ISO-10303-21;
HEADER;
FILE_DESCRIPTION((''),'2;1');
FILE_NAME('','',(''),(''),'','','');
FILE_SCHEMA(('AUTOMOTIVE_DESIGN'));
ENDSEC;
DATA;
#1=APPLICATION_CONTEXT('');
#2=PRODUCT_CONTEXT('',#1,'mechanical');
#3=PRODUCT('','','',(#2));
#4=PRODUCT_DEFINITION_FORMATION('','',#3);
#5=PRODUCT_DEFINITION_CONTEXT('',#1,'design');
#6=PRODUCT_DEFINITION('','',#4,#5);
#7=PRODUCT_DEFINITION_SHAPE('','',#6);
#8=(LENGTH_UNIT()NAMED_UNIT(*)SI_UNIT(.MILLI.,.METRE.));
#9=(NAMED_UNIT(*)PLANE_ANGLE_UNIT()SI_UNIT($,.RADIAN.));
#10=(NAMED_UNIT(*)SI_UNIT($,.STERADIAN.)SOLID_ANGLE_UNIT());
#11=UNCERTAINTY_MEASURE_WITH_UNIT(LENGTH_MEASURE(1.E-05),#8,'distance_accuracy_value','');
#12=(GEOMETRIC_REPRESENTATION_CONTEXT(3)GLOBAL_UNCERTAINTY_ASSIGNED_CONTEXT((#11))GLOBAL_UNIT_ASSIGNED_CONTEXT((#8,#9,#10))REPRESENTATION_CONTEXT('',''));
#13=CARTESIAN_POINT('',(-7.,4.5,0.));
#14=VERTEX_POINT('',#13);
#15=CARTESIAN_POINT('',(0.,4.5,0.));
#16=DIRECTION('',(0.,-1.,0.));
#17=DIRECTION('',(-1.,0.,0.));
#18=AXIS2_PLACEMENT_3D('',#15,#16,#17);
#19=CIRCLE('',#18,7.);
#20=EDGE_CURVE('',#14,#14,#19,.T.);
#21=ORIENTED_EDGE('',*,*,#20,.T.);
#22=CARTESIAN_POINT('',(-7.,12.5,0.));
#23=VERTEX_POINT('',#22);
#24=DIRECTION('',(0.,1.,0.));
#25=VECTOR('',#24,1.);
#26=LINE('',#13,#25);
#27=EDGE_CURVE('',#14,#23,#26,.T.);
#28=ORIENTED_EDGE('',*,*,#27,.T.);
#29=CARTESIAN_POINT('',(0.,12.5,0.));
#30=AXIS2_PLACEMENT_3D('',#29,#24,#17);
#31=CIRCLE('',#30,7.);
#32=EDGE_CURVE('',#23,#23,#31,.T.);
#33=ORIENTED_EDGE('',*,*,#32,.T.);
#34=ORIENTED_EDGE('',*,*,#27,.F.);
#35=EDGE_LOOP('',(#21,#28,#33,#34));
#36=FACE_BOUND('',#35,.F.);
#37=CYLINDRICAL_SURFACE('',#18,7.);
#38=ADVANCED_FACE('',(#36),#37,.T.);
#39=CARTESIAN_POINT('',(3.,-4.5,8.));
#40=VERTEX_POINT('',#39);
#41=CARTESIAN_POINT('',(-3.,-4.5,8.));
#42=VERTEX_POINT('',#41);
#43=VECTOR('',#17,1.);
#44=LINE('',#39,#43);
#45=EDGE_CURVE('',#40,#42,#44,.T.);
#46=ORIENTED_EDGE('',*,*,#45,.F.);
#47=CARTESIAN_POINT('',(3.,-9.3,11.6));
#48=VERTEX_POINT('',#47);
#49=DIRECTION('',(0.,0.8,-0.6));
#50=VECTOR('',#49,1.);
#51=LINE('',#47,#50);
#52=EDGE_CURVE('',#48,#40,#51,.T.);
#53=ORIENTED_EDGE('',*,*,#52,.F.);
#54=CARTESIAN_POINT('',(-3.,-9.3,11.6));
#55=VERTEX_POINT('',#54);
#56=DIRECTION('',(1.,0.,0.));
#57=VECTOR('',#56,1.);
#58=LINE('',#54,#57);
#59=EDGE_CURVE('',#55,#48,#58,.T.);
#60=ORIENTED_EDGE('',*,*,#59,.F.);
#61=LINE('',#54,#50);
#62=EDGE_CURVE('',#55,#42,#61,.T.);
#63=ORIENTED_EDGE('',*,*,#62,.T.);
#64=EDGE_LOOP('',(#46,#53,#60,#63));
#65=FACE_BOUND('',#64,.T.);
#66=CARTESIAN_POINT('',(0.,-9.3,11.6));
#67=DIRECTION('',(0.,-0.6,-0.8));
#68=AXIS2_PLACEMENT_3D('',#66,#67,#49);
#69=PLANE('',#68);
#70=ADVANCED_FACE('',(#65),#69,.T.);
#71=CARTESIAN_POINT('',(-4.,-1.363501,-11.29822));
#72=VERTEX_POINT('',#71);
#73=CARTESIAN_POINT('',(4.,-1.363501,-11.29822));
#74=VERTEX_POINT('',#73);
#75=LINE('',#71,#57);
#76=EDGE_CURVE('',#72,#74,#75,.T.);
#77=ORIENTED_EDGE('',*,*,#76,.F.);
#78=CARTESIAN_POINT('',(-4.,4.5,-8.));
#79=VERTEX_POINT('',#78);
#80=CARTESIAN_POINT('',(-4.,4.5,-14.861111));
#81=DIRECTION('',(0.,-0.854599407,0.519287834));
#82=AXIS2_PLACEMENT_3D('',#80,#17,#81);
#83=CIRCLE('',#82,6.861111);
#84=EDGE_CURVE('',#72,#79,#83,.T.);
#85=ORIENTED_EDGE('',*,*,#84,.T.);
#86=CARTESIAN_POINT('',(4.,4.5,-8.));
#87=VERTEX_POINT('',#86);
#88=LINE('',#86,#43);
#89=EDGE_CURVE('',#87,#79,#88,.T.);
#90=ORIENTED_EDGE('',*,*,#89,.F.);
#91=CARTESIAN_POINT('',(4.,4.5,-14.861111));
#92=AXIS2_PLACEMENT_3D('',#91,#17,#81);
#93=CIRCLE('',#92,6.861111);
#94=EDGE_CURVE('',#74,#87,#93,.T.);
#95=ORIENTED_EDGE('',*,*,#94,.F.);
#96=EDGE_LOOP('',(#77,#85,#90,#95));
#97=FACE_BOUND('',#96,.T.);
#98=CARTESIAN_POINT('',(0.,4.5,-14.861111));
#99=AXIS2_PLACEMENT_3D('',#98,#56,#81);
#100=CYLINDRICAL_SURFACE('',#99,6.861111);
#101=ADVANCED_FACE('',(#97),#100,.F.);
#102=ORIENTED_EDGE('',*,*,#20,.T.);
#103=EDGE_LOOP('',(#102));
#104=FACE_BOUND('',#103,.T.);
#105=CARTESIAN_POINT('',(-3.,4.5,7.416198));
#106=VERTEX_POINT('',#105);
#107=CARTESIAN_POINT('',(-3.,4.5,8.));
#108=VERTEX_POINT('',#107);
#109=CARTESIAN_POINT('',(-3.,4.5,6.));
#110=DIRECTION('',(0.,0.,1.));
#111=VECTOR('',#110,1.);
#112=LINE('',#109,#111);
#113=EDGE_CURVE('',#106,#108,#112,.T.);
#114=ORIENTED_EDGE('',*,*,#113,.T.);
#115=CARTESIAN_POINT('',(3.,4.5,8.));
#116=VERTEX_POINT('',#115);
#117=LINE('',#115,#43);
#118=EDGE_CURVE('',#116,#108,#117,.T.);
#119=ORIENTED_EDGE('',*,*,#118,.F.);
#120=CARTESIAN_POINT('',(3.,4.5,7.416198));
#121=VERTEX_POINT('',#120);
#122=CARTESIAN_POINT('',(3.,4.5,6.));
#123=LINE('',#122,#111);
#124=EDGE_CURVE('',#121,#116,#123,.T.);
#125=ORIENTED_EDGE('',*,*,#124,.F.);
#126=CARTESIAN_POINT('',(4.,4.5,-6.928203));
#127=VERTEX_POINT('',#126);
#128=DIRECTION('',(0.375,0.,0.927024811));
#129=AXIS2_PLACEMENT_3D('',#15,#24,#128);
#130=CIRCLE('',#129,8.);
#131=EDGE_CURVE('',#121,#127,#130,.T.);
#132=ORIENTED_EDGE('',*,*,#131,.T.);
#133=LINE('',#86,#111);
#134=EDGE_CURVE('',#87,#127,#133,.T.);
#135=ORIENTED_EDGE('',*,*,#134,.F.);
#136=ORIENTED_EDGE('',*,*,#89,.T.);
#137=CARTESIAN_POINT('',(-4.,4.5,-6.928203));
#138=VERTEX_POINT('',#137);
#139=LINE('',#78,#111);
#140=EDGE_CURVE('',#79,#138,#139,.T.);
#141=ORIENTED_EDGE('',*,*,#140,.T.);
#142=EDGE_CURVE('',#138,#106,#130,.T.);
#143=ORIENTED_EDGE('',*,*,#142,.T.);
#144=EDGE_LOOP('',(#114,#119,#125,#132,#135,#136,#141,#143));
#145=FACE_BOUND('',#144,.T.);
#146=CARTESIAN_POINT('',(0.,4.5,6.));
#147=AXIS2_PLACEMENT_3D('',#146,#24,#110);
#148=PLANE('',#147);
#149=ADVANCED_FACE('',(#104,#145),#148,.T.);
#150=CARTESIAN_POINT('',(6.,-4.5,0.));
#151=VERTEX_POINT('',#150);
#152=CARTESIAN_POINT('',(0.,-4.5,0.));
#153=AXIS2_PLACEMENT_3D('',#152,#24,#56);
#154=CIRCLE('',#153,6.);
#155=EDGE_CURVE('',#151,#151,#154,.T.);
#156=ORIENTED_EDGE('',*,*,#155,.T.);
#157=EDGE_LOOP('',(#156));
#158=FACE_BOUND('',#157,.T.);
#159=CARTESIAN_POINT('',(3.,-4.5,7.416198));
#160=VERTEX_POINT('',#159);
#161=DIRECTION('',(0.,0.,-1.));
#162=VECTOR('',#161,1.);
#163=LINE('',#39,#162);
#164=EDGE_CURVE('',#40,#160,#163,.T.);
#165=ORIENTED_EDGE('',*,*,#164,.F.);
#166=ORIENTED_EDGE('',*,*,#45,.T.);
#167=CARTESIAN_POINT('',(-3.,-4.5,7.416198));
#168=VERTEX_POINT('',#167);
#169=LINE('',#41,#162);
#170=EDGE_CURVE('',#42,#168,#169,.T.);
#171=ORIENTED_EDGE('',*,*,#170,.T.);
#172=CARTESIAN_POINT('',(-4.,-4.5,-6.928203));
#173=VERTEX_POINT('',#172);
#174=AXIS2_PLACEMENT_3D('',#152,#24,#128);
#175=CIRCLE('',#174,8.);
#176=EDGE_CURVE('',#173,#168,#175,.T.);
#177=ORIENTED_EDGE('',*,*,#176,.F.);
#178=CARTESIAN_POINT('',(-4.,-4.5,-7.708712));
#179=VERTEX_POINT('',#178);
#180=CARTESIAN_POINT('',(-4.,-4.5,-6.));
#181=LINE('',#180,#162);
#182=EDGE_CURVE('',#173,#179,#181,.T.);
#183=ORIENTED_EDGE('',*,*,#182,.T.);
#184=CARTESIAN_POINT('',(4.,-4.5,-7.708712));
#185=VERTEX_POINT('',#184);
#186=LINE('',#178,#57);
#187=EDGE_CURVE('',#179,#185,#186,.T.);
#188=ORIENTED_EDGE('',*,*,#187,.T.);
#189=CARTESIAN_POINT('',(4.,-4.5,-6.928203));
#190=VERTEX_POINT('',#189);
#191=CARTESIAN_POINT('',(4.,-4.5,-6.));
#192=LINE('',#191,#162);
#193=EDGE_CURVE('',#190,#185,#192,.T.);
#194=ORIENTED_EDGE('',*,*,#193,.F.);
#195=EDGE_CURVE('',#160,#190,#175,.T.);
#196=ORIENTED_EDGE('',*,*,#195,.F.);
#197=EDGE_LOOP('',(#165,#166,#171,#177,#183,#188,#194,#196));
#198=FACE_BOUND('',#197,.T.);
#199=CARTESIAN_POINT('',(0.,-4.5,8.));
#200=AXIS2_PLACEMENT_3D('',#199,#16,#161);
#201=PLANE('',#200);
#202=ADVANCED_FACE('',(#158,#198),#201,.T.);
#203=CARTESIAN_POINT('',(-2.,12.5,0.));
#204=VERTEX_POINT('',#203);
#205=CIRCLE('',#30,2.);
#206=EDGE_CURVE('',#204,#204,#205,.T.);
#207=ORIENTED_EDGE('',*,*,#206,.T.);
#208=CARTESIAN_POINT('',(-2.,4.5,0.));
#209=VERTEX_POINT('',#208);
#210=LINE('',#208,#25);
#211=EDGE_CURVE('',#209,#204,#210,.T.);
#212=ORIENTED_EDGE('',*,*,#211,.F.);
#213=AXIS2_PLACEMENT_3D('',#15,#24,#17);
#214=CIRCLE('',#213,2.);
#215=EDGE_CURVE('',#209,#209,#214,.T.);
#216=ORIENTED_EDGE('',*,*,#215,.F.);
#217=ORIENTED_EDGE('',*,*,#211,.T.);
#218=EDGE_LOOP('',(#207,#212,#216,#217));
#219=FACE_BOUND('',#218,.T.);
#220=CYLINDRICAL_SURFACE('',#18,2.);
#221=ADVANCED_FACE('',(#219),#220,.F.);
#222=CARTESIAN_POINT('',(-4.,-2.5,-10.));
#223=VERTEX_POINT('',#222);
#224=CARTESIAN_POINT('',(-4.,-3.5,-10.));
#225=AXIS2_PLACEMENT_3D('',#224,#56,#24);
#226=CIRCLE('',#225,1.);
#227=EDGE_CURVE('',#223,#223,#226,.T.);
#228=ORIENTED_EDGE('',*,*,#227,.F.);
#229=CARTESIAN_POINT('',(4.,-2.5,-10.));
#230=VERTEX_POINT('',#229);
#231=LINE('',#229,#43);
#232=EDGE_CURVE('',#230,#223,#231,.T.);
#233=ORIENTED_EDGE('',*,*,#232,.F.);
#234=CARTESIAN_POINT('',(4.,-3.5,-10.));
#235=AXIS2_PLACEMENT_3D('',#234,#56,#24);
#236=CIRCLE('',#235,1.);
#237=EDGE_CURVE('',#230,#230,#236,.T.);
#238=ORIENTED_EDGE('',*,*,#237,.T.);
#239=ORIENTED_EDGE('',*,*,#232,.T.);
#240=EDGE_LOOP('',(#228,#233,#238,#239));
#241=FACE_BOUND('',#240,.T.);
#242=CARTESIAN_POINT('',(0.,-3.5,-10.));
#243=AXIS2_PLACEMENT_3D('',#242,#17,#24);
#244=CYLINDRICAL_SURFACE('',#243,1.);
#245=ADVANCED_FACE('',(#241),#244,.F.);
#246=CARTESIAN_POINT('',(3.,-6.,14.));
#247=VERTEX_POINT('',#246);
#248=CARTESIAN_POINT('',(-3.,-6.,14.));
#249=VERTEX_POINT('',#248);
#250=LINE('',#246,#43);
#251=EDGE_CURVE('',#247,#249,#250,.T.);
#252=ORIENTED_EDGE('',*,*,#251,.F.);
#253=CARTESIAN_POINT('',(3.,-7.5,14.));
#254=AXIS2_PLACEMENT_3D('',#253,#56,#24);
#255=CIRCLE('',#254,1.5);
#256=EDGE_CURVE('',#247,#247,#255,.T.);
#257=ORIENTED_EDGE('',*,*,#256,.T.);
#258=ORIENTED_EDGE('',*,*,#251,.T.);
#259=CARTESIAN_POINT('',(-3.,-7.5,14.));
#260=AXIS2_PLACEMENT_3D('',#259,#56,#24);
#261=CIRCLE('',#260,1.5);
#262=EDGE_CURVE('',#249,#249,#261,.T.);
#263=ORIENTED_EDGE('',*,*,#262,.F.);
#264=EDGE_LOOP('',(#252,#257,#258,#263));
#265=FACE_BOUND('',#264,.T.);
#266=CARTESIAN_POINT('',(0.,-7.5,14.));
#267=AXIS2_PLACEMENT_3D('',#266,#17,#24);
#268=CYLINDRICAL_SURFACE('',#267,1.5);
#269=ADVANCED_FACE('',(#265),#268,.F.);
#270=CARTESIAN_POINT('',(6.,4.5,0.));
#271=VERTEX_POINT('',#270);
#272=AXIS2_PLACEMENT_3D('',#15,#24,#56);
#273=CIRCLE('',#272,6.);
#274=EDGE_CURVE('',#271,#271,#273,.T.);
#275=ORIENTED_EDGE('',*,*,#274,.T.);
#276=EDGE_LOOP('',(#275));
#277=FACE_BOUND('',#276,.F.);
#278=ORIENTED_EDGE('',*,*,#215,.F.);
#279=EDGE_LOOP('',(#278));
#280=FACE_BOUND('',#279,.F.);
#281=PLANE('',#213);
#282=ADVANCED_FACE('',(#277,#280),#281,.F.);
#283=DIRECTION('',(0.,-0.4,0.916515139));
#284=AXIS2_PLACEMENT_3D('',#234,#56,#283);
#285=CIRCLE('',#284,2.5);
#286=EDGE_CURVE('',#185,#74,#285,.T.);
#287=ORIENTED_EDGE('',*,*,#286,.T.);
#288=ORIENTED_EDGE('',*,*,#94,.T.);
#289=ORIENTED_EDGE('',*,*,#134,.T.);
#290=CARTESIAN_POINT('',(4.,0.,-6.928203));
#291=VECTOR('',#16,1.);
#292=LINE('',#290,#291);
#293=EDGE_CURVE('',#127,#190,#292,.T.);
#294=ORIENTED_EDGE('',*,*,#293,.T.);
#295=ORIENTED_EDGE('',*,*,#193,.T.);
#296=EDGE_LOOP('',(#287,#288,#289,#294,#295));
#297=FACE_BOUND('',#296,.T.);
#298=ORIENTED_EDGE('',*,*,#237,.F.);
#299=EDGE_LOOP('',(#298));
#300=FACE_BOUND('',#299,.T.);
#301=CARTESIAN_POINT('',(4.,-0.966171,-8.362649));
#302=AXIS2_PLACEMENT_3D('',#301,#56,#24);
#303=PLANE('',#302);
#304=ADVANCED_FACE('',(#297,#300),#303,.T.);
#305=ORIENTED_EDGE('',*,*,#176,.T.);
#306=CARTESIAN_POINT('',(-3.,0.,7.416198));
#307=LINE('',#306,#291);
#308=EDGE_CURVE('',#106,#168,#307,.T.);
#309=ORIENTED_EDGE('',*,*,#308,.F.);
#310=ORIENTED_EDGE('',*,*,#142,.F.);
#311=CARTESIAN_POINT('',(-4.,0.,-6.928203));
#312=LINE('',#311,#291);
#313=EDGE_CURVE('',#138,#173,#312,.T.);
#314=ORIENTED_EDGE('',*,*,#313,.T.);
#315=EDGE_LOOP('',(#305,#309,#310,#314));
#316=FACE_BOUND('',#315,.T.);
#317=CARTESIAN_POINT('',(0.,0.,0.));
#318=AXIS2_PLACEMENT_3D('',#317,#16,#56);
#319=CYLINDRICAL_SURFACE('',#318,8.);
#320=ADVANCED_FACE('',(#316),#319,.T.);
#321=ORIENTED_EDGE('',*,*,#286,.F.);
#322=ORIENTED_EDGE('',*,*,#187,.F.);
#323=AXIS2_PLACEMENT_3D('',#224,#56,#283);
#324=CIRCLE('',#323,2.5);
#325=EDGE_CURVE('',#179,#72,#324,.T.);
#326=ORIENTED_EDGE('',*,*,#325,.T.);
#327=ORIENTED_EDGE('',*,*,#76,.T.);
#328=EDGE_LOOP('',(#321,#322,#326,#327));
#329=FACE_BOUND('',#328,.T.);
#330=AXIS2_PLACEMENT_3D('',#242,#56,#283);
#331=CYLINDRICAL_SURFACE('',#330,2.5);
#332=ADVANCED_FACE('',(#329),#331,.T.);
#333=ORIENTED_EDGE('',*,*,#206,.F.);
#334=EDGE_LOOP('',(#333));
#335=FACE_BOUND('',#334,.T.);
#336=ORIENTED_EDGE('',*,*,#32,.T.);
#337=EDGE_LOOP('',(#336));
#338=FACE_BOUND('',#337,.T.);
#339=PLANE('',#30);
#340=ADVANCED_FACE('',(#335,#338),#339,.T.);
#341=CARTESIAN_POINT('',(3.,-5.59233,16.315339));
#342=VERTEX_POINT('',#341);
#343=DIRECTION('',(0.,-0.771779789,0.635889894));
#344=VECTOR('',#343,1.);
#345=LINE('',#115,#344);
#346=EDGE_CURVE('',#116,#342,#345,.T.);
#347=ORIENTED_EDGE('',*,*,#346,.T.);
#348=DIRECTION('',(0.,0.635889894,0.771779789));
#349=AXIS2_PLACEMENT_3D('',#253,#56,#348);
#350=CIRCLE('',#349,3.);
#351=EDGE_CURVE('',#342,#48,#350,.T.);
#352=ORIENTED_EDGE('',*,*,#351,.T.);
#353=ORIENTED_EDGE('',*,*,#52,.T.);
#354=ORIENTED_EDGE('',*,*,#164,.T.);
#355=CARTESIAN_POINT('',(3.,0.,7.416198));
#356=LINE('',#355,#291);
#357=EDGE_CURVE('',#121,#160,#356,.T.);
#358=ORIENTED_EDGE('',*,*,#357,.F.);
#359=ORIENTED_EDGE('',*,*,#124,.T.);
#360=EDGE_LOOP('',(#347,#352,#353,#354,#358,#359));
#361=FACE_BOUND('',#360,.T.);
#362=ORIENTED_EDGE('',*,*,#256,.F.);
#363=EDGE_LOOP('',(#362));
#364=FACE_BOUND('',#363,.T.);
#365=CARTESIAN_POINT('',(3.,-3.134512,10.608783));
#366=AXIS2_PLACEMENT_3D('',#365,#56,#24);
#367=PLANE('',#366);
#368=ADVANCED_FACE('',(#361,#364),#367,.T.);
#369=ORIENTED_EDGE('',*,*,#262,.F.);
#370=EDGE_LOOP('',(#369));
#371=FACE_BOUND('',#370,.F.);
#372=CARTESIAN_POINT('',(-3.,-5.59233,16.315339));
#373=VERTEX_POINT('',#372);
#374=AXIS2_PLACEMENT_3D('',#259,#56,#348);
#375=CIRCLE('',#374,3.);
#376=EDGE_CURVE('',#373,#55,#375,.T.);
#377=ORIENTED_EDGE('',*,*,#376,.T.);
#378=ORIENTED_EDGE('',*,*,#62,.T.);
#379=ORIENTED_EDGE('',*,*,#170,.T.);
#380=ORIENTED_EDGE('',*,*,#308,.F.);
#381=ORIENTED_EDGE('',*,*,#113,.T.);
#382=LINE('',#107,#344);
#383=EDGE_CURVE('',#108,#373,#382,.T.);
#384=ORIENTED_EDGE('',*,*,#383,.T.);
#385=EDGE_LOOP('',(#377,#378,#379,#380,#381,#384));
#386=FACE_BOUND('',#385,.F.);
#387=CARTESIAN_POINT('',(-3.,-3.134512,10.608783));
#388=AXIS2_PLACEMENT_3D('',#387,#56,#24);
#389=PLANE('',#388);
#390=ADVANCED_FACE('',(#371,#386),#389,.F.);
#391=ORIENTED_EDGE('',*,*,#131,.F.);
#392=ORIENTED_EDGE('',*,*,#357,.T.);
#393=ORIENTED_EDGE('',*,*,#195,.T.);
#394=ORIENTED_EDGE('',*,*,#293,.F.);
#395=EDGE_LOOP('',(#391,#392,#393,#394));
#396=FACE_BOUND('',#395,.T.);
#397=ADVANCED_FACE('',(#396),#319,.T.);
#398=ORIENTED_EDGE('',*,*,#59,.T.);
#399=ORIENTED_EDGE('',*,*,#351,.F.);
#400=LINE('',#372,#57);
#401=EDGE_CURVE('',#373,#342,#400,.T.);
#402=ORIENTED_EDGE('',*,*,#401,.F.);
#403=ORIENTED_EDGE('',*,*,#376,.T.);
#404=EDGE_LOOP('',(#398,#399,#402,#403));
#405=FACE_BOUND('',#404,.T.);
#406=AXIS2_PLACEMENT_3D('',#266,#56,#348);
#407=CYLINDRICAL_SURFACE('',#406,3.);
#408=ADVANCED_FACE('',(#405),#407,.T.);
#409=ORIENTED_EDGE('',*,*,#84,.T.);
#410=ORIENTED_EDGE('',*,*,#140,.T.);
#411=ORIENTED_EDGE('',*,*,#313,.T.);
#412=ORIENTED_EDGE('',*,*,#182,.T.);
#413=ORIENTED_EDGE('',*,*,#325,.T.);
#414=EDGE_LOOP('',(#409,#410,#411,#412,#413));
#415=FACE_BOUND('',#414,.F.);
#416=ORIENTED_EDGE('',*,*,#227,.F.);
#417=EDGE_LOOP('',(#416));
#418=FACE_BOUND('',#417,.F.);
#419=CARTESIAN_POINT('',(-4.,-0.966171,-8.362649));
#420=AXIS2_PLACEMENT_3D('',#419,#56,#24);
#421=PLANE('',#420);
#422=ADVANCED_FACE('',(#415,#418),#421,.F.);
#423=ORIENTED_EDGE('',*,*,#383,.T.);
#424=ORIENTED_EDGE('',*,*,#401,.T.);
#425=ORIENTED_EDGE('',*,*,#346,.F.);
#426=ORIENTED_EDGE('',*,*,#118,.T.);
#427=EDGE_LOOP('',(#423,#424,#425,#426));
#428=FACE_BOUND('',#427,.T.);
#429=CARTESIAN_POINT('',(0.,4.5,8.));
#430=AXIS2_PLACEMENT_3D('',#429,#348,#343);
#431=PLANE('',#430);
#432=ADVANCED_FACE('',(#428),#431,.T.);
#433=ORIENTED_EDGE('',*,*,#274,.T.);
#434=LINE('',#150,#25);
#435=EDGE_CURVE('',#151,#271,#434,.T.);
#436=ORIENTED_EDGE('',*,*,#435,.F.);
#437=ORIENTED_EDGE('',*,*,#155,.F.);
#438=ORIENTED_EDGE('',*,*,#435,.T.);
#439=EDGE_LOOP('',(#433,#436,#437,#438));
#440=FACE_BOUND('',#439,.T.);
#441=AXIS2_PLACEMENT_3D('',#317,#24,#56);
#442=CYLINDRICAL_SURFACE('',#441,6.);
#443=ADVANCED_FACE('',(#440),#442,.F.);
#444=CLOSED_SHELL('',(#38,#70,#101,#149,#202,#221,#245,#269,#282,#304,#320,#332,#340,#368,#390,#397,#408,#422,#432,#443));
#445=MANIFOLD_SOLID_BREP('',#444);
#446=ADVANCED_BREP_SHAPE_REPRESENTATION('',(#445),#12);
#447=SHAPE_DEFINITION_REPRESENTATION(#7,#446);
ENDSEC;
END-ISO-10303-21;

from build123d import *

# Parameters (mm, degrees)
F0_R     = 6
F1_DEPTH = 4.5
F2_R     = 7
F2_R_2   = 2
F3_DEPTH = 8
F4_R     = 1.5
F5_DEPTH = 3
F6_R     = 1
F7_DEPTH = 4


with BuildPart() as f1:
    # F0 (on Front) → F1 (new body, symmetric)
    with BuildSketch(Plane.XZ):
        with BuildLine():
            ThreePointArc((-8, 0), (0, -8), (8, 0))
            ThreePointArc((8, 0), (0, 8), (-8, 0))
        make_face()
        Circle(F0_R, mode=Mode.SUBTRACT)
    extrude(amount=F1_DEPTH, both=True)

    # F2 (on face) → F3 (join)
    with BuildSketch(Plane(origin=(0, 4.5, 0), x_dir=(-1, 0, 0), z_dir=(0, 1, 0))):
        Circle(F2_R)
        Circle(F2_R_2, mode=Mode.SUBTRACT)
    extrude(amount=F3_DEPTH)

    # F4 (on Right) → F5 (join, symmetric)
    with BuildSketch(Plane.YZ):
        with BuildLine():
            Line((4.5, 8), (-5.5923303169, 16.3153393661))
            ThreePointArc((-5.5923303169, 16.3153393661), (-9.8582842332, 15.8543180621), (-9.3, 11.6))
            Line((-9.3, 11.6), (-4.5, 8))
            Line((-4.5, 8), (-4.5, 6))
            Line((-4.5, 6), (4.5, 6))
            Line((4.5, 6), (4.5, 8))
        make_face()
        with Locations((-7.5, 14)):
            Circle(F4_R, mode=Mode.SUBTRACT)
    extrude(amount=F5_DEPTH, both=True)

    # F6 (on Right) → F7 (join, symmetric)
    with BuildSketch(Plane.YZ):
        with BuildLine():
            Line((-4.5, -6), (-4.5, -7.7087121525))
            ThreePointArc((-4.5, -7.7087121525), (-5.3825642408, -11.6449777747), (-1.3635014837, -11.2982195846))
            ThreePointArc((-1.3635014837, -11.2982195846), (1.1362631614, -8.8811345092), (4.5, -8))
            Line((4.5, -8), (4.5, -6))
            Line((4.5, -6), (-4.5, -6))
        make_face()
        with Locations((-3.5, -10)):
            Circle(F6_R, mode=Mode.SUBTRACT)
    extrude(amount=F7_DEPTH, both=True)


solid = f1.part
